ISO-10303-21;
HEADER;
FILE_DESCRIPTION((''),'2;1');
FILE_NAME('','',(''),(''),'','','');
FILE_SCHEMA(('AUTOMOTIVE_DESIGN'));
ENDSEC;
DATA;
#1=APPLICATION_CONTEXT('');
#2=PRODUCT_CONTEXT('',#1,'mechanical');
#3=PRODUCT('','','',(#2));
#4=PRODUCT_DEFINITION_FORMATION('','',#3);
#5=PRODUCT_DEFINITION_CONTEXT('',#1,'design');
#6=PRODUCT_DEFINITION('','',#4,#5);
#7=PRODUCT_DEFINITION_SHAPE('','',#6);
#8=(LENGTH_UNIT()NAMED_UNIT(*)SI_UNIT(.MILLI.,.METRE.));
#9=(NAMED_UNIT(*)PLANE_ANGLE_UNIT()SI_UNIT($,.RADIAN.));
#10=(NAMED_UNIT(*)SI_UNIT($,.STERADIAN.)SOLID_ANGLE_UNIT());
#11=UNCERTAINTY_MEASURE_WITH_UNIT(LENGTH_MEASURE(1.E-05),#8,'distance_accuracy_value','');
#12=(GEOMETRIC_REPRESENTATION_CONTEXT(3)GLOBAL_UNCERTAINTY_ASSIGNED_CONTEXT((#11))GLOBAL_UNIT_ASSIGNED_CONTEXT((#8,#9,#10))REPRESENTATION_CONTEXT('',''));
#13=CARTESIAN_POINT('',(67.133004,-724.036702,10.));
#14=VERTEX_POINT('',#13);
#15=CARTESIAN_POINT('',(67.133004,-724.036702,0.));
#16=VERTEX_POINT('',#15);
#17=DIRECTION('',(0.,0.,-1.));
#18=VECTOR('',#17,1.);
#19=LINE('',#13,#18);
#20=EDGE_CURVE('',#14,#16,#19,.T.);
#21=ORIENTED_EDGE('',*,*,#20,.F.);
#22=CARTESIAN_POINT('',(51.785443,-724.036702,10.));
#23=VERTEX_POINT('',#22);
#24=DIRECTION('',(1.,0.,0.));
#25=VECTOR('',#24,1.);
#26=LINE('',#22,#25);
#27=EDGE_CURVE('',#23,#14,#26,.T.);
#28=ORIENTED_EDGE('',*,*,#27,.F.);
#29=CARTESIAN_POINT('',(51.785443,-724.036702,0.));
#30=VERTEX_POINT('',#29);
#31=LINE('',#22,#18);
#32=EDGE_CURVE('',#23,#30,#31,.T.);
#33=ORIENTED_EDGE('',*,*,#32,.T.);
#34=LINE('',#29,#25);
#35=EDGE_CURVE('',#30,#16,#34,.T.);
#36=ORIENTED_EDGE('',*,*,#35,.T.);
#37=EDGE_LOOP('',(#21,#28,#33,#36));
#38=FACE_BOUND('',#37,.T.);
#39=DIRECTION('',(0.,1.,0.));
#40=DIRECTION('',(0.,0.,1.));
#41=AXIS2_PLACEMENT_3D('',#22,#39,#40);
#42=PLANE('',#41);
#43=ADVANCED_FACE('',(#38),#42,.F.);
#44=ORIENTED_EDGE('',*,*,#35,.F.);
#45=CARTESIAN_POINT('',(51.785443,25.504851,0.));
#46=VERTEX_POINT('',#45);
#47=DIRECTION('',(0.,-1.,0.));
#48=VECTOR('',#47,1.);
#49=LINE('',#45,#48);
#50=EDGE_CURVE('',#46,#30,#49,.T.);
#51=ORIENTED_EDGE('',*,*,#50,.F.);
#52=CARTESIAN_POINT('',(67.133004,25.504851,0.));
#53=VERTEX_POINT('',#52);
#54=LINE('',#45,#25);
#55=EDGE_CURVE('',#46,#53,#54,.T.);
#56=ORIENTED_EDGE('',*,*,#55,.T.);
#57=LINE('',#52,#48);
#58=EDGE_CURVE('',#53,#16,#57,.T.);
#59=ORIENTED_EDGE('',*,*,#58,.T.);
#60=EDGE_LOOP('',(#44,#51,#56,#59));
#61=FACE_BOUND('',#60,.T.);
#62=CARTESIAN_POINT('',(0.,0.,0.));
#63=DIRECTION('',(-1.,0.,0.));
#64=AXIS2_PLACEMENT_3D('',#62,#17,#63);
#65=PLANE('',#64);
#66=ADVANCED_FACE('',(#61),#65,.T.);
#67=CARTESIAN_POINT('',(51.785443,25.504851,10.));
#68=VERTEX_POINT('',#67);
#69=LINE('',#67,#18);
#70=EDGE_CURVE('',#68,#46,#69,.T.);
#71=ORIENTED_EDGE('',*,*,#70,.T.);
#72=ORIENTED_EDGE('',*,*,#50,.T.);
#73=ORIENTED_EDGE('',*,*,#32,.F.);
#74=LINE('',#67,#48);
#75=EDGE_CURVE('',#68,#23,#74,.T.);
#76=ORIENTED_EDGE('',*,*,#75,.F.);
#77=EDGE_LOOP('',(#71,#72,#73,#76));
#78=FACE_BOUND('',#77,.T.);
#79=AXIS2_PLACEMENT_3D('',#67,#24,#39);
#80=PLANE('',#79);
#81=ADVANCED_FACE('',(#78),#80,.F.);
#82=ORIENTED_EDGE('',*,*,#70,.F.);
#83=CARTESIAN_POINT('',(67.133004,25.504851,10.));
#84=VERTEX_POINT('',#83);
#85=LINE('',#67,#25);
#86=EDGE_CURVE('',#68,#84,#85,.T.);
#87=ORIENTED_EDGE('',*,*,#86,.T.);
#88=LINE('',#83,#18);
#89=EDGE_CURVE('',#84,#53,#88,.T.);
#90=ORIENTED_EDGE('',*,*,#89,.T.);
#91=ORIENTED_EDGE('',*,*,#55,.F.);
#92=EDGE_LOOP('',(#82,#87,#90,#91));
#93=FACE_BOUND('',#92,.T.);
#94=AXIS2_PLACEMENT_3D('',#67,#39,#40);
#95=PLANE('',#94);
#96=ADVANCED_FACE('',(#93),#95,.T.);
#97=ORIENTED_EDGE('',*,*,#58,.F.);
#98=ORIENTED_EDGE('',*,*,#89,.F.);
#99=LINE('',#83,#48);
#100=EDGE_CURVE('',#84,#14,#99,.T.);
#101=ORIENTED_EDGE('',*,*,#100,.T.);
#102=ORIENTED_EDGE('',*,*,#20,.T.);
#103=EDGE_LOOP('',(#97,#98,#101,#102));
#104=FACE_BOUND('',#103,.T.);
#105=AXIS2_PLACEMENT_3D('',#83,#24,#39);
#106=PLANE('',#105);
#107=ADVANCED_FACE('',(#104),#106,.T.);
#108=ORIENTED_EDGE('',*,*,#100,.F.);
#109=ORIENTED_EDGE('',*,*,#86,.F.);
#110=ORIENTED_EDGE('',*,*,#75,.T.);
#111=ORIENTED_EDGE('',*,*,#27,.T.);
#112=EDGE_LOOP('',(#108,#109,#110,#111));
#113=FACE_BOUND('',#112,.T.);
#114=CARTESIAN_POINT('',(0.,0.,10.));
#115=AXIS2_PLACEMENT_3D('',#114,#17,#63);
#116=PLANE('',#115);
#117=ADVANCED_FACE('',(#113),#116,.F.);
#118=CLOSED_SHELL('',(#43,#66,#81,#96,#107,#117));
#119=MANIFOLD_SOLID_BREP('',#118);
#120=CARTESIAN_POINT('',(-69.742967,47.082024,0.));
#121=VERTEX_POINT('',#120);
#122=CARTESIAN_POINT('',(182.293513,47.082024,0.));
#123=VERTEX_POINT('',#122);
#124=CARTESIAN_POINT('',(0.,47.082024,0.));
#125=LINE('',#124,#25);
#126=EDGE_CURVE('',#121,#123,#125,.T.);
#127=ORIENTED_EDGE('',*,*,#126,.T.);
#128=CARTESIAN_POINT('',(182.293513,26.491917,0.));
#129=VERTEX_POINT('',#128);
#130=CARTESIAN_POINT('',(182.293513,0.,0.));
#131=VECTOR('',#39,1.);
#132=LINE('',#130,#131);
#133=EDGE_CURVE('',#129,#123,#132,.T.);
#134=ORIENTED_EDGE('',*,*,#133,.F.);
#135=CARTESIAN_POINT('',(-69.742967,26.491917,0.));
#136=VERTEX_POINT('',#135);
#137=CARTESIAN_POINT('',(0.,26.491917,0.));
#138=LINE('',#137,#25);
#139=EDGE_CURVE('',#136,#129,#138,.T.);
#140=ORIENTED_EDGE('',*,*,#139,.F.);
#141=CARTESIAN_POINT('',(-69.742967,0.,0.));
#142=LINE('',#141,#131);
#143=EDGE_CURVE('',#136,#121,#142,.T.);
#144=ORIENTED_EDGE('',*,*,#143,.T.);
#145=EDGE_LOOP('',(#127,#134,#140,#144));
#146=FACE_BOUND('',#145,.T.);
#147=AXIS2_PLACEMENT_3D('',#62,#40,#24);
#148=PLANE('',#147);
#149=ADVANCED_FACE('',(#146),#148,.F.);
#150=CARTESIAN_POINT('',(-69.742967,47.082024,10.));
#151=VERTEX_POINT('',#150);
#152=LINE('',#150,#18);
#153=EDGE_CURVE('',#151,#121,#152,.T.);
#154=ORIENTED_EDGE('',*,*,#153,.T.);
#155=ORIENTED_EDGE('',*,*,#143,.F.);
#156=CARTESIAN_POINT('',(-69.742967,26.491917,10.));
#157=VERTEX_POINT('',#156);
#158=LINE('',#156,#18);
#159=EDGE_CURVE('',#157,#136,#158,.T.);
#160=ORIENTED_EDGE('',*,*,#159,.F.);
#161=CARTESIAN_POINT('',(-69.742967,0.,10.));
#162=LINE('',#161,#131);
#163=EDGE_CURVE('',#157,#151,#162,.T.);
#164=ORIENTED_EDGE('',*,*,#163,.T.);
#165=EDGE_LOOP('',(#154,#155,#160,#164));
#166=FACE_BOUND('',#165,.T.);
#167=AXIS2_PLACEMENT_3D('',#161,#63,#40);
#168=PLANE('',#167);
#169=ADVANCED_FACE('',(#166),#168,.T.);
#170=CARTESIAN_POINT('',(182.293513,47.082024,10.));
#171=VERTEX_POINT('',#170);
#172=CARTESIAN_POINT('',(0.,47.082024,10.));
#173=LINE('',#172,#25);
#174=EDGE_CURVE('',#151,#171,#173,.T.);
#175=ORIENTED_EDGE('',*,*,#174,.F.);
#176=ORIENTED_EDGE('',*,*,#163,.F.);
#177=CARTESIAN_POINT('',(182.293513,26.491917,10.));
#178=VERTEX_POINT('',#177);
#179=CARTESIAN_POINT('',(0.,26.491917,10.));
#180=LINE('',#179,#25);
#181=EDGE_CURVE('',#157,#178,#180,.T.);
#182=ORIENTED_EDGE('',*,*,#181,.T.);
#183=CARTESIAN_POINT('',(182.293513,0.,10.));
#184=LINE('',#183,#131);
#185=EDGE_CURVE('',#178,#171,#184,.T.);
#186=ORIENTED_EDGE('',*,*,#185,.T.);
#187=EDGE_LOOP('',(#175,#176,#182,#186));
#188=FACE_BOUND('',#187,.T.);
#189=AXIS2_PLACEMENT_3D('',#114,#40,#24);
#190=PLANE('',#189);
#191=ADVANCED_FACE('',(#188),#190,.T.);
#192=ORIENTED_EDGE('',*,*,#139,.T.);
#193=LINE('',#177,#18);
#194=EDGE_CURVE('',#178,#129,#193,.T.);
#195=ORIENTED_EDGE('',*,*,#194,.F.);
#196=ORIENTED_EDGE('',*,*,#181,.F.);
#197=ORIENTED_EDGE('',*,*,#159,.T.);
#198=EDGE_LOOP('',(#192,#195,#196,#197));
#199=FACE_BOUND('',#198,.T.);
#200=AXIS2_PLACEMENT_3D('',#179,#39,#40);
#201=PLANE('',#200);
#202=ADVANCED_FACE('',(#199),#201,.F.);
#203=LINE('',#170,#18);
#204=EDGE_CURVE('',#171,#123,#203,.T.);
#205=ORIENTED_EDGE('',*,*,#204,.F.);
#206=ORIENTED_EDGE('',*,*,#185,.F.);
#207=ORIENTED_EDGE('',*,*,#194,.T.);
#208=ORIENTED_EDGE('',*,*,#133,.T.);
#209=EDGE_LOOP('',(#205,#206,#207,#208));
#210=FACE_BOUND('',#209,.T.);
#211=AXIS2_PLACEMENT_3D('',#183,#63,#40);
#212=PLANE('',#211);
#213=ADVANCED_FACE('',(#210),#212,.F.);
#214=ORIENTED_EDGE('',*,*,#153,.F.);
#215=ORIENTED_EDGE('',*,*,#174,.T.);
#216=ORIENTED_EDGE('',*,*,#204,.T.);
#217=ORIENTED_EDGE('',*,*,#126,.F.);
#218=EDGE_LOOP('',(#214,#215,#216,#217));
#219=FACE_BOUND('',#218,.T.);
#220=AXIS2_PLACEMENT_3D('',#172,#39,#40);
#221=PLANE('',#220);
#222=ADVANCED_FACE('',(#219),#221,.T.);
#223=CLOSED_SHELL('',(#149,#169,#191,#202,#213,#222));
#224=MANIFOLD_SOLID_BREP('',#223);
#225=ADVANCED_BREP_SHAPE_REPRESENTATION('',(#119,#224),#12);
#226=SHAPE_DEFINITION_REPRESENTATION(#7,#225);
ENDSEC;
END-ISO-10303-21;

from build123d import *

# Parameters (mm, degrees)
SKETCH_1_W        = 252.036479427
SKETCH_1_H        = 20.59010667
EXTRUDE_1_DEPTH   = 10
SKETCH_1_W_2      = 15.347561206
SKETCH_1_H_2      = 749.541552464
EXTRUDE_1_2_DEPTH = 10


with BuildPart() as part:
    # Эскиз1 → Бобышка-Вытянуть1 (new body)
    with BuildSketch(Plane.XY):
        with Locations((56.275273207, 36.78697033)):
            Rectangle(SKETCH_1_W, SKETCH_1_H)
    extrude(amount=EXTRUDE_1_DEPTH)


with BuildPart() as body_2:
    # Эскиз1 → Extrude 1 2 (new body)
    with BuildSketch(Plane.XY):
        with Locations((59.459223612, -349.265925692)):
            Rectangle(SKETCH_1_W_2, SKETCH_1_H_2)
    extrude(amount=EXTRUDE_1_2_DEPTH)


solid = Compound([part.part, body_2.part])
